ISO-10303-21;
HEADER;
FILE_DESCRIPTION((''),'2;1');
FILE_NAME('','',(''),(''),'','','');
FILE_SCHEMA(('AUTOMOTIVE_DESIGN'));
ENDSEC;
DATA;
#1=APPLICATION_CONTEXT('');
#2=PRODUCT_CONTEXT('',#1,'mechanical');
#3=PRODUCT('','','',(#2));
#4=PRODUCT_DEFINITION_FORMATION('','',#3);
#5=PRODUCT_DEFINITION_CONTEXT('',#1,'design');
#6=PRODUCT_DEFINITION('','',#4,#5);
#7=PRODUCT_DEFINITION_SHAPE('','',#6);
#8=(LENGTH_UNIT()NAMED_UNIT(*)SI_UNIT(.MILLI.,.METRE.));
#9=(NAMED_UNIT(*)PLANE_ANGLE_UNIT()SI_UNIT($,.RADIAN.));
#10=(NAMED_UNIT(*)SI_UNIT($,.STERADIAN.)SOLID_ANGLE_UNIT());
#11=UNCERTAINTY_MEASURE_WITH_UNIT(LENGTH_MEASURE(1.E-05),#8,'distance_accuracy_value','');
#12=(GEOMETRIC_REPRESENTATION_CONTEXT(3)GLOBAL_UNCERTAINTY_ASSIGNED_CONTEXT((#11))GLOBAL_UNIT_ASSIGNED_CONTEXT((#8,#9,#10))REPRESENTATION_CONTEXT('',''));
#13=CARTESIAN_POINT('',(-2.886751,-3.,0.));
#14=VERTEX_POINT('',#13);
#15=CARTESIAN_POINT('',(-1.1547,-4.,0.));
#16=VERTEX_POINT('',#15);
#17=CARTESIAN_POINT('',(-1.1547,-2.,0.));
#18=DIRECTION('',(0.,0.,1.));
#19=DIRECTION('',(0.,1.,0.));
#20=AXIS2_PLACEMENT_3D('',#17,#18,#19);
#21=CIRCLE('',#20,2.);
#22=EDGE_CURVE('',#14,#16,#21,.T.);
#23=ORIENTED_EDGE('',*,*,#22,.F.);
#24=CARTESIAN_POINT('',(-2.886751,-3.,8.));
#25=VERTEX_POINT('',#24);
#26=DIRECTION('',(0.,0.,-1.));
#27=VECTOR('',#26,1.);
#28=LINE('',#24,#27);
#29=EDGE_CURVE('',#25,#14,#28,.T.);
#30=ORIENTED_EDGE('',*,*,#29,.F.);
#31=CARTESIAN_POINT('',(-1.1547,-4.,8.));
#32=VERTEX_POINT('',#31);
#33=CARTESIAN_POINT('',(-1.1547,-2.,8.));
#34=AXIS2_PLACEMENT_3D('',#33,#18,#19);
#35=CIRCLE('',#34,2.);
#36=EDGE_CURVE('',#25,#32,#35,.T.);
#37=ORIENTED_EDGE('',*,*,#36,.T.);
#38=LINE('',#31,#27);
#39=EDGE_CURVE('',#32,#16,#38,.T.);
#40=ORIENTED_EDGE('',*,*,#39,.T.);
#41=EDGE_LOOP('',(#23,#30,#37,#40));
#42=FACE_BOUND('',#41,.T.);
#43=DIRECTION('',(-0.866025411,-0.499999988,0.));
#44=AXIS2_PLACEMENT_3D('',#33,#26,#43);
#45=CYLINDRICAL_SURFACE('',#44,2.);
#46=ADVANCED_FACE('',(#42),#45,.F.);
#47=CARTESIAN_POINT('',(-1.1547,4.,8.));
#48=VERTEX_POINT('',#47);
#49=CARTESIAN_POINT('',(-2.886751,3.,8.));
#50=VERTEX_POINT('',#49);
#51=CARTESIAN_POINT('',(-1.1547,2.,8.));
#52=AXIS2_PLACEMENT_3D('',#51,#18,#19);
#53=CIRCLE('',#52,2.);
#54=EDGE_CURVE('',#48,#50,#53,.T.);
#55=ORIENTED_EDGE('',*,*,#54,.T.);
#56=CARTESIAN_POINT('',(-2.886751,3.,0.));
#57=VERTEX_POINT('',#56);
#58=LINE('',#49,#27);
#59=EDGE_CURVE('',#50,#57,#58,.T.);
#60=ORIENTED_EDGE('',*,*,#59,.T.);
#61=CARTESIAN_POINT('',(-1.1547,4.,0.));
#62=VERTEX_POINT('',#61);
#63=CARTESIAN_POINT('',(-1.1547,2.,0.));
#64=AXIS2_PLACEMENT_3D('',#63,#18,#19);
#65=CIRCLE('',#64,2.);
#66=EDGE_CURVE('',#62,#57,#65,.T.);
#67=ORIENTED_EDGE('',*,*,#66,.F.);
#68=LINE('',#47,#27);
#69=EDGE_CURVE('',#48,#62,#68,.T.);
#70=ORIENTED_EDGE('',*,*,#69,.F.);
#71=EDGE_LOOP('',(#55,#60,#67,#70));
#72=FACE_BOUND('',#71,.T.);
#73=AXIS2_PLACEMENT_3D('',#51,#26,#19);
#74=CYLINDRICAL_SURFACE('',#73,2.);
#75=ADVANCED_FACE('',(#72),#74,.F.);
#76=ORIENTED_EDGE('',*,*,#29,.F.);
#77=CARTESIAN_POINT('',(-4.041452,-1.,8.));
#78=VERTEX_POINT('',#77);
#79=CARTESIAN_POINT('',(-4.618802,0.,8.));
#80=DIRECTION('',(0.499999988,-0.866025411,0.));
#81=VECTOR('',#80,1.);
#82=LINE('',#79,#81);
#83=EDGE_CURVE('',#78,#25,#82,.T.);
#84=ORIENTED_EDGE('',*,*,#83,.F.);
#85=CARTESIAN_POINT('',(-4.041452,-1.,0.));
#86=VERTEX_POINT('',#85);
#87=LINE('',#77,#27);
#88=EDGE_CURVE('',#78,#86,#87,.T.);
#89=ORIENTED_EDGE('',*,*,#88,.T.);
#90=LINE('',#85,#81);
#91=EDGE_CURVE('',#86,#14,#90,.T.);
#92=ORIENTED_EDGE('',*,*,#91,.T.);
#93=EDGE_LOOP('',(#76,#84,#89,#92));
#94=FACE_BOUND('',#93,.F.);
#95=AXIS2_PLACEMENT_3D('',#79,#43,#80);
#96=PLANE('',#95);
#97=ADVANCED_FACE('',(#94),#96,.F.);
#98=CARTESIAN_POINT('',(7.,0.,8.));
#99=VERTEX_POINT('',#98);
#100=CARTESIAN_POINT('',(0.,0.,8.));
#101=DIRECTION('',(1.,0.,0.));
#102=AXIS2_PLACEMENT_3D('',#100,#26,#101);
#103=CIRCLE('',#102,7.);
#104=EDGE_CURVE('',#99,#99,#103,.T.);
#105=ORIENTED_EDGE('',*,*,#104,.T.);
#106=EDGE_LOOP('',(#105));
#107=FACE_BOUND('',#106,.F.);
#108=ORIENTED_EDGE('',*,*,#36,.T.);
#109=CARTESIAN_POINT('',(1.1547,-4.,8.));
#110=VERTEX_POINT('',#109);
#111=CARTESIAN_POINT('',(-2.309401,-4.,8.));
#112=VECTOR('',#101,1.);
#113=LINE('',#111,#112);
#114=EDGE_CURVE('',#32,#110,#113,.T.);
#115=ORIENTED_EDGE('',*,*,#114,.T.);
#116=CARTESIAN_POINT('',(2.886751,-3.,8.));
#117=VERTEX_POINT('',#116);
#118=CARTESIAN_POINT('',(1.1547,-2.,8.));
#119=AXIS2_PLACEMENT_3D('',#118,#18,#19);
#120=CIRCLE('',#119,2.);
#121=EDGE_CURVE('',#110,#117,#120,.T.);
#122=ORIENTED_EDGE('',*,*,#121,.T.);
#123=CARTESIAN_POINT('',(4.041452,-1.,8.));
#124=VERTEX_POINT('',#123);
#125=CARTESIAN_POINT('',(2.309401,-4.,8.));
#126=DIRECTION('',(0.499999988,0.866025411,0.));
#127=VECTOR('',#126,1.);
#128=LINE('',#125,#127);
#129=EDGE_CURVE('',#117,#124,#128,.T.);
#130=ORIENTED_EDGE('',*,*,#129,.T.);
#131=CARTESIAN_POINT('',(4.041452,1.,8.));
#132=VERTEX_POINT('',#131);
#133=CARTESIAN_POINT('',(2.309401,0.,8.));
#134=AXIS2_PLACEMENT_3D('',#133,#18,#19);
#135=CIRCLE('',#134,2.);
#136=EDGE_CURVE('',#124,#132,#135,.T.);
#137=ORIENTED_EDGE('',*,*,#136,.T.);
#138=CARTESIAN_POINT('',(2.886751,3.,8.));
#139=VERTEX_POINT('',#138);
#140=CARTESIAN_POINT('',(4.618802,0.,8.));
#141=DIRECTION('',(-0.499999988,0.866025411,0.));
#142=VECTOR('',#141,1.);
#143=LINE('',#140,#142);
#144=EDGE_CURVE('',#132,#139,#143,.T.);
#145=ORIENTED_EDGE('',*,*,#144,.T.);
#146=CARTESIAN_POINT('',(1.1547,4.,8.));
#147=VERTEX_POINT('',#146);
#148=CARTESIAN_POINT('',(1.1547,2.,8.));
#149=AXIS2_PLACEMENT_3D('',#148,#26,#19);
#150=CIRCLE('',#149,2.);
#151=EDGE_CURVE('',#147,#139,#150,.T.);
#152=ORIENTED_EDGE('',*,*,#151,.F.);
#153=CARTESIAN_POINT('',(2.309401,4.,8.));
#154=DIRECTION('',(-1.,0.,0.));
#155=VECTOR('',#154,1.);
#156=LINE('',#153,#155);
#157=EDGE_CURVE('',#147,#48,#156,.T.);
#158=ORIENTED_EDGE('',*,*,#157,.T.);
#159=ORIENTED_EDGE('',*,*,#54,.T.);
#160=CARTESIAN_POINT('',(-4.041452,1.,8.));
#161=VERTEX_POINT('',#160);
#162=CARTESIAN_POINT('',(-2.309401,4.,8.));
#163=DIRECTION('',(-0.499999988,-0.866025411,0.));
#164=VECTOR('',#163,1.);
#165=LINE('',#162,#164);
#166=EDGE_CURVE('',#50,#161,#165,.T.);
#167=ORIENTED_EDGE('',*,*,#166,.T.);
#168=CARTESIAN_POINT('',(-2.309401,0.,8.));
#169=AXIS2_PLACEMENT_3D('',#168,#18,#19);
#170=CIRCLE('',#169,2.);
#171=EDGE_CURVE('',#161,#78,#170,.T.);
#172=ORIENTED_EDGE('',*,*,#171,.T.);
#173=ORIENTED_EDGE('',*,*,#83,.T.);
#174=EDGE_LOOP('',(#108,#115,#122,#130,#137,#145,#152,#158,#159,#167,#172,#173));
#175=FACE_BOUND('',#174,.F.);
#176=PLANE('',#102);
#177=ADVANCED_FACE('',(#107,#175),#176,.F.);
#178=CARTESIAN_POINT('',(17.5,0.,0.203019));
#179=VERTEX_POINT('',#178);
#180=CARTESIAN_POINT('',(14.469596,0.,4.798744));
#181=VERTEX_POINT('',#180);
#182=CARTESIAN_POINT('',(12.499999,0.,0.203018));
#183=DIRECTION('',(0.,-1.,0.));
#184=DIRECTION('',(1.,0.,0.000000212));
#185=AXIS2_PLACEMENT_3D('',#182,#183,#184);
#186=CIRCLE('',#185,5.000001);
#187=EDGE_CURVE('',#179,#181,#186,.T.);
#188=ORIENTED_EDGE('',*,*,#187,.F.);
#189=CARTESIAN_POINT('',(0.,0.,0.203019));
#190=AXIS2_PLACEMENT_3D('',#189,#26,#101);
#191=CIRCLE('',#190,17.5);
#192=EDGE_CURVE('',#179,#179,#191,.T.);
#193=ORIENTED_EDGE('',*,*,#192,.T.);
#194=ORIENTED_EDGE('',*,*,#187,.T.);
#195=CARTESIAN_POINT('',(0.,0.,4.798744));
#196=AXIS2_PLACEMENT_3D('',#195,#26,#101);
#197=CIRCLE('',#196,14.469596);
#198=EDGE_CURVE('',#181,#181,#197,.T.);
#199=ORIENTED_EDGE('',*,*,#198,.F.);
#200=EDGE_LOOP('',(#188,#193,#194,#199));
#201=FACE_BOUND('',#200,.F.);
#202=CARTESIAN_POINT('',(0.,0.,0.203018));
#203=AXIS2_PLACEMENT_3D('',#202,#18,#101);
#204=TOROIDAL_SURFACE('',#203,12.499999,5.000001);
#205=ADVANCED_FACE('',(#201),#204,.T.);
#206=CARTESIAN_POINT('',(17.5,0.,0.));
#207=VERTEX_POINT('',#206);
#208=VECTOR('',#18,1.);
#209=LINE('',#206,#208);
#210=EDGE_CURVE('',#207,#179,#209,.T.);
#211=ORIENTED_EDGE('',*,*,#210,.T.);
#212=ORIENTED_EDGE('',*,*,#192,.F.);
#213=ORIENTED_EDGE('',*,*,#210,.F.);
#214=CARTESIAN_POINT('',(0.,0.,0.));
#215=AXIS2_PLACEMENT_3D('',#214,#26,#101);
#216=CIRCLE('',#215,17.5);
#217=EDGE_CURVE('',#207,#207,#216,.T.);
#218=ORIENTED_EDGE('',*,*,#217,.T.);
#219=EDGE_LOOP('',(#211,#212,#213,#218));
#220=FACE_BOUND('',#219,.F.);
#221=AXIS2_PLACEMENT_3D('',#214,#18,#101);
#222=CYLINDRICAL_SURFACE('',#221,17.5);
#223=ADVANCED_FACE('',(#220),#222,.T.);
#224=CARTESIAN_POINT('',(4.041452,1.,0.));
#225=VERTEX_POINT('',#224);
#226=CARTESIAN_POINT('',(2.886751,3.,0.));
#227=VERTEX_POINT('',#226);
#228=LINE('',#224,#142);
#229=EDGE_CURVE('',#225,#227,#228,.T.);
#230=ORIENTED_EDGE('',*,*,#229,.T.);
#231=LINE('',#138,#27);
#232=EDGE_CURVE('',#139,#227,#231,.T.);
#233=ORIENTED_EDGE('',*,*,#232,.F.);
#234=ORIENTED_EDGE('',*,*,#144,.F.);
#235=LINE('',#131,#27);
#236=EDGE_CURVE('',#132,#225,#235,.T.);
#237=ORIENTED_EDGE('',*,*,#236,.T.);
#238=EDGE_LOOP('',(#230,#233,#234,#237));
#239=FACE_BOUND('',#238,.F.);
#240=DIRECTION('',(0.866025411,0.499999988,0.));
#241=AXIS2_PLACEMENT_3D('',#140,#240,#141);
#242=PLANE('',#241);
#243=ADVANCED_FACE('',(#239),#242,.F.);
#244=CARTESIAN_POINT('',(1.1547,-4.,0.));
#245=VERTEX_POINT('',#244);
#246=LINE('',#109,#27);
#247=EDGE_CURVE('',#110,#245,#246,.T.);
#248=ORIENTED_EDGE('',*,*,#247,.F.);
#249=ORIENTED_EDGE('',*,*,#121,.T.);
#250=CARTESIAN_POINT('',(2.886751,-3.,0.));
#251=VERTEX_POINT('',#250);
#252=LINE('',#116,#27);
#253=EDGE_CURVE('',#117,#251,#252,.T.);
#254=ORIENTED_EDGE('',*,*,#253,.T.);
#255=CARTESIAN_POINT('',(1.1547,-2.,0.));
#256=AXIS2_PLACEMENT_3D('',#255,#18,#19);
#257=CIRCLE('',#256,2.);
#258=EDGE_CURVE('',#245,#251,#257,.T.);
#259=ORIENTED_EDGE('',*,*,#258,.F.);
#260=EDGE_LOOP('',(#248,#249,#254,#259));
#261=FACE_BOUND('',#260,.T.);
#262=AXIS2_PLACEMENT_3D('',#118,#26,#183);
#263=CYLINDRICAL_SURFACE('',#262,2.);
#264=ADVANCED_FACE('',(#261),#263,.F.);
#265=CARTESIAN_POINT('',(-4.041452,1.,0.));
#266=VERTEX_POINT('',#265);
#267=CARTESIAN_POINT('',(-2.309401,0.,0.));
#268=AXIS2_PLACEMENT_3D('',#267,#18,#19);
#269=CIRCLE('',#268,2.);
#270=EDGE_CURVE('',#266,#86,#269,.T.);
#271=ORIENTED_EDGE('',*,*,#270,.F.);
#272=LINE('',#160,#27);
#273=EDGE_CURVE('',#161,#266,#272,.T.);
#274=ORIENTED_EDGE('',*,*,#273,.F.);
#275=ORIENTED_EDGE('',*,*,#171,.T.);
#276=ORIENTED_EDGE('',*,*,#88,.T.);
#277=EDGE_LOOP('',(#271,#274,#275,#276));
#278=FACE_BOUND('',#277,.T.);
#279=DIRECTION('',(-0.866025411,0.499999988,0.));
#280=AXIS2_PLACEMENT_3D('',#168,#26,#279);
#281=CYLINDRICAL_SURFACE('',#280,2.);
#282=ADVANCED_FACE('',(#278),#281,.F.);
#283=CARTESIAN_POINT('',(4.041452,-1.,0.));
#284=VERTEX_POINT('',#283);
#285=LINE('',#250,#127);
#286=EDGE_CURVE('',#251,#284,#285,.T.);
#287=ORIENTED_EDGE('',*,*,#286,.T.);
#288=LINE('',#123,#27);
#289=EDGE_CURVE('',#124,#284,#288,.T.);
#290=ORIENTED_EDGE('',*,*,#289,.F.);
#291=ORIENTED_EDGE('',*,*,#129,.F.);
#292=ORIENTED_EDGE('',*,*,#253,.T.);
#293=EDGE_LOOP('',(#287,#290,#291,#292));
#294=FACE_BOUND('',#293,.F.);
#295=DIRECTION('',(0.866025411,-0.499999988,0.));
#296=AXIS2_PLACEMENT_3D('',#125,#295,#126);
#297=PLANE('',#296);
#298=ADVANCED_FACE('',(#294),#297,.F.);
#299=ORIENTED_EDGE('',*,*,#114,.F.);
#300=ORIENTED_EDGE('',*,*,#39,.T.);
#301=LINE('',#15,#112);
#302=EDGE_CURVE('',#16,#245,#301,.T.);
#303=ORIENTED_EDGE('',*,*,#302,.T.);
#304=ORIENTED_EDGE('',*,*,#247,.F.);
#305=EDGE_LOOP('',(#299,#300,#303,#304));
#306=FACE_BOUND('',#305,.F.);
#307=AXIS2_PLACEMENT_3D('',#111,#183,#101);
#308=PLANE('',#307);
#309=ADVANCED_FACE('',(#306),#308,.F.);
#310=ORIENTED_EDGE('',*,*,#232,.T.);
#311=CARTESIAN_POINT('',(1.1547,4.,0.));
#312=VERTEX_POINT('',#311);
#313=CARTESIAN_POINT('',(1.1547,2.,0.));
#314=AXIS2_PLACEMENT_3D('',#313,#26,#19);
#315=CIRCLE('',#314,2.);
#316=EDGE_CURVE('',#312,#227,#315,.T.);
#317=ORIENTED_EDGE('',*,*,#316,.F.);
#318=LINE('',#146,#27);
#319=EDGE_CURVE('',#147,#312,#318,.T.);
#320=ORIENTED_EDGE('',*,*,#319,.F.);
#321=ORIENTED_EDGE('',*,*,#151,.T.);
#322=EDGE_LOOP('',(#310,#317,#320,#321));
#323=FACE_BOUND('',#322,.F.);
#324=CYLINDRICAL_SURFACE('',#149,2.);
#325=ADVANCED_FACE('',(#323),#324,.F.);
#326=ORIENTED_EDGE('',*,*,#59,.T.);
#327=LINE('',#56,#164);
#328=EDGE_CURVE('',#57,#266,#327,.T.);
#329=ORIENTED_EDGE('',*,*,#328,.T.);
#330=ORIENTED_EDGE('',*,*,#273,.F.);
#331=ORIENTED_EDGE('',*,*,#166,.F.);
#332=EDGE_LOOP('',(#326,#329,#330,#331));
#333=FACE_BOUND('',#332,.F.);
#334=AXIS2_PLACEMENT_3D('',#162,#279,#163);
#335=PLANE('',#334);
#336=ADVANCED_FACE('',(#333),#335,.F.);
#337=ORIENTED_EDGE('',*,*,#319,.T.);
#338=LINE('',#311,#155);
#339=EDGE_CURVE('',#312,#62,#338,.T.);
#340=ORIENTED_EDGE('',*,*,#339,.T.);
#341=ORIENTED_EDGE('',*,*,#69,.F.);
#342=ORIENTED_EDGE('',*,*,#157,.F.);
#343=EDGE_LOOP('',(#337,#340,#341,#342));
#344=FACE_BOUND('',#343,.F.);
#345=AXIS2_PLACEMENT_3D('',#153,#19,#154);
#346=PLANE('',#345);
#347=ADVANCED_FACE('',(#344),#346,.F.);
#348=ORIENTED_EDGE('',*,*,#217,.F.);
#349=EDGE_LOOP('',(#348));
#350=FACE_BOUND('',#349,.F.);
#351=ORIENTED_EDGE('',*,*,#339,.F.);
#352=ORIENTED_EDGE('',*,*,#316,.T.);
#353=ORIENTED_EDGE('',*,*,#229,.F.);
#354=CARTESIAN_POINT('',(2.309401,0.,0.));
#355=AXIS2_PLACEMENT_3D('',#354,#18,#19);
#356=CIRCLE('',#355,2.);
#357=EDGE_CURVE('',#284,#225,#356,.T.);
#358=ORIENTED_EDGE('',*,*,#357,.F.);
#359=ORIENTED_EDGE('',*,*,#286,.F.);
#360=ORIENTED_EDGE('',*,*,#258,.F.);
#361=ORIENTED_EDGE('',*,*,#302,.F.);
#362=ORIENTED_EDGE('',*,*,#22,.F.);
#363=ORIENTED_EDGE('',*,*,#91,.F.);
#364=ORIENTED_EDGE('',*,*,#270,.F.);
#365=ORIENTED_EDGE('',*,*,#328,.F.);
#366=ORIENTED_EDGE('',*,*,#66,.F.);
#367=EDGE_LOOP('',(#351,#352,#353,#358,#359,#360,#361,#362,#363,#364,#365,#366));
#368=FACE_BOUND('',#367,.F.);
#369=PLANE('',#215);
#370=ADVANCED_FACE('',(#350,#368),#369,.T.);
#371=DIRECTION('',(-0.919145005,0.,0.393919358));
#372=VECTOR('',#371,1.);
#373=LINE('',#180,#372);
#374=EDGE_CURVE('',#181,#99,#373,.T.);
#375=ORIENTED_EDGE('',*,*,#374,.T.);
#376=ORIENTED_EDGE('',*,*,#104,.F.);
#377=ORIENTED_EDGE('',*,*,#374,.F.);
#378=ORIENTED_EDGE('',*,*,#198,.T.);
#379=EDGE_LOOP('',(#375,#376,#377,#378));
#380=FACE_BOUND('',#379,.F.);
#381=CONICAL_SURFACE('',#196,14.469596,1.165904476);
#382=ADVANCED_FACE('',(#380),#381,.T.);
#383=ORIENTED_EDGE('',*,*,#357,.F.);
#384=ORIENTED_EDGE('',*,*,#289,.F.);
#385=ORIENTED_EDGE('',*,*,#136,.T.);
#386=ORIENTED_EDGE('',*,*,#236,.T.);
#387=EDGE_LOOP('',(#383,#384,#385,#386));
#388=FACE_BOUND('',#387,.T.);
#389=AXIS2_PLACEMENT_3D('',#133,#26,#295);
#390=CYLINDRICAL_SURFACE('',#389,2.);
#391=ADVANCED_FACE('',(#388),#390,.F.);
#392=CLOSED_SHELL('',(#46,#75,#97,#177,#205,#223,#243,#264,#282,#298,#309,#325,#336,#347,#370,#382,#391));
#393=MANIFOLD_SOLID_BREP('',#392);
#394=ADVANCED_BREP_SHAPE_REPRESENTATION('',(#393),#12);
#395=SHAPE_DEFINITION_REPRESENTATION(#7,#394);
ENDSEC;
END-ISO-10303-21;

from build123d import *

# Parameters (mm, degrees)
F3_DEPTH = 25
F4_R     = 2


with BuildPart() as f1:
    # F0 (on Front) → F1 (revolve)
    with BuildSketch(Plane.XZ):
        with BuildLine():
            Line((0, 8), (0, 0))
            Line((0, 0), (17.5, 0))
            Line((17.5, 0), (17.5, 0.203019))
            ThreePointArc((17.5, 0.203019), (16.674205, 2.955474), (14.469596, 4.798744))
            Line((14.469596, 4.798744), (7, 8))
            Line((7, 8), (0, 8))
        make_face()
    revolve(axis=Axis((0, 0, -4.491808), (0, 0, -1)))

    # F2 (on face) → F3 (cut)
    with BuildSketch(Plane.XY.offset(8)):
        Polygon((2.309401, 4), (-2.309401, 4), (-4.618802, 0), (-2.309401, -4), (2.309401, -4), (4.618802, 0), align=None)
    extrude(amount=-F3_DEPTH, mode=Mode.SUBTRACT)

    # F4
    f4_edges = [f1.edges().sort_by_distance(p)[0] for p in [
        (-2.309401, 4, 4),
        (-4.618802, 0, 4),
        (2.309401, 4, 4),
        (4.618802, 0, 4),
        (-2.309401, -4, 4),
        (2.309401, -4, 4),
    ]]
    fillet(f4_edges, radius=F4_R)


solid = f1.part
